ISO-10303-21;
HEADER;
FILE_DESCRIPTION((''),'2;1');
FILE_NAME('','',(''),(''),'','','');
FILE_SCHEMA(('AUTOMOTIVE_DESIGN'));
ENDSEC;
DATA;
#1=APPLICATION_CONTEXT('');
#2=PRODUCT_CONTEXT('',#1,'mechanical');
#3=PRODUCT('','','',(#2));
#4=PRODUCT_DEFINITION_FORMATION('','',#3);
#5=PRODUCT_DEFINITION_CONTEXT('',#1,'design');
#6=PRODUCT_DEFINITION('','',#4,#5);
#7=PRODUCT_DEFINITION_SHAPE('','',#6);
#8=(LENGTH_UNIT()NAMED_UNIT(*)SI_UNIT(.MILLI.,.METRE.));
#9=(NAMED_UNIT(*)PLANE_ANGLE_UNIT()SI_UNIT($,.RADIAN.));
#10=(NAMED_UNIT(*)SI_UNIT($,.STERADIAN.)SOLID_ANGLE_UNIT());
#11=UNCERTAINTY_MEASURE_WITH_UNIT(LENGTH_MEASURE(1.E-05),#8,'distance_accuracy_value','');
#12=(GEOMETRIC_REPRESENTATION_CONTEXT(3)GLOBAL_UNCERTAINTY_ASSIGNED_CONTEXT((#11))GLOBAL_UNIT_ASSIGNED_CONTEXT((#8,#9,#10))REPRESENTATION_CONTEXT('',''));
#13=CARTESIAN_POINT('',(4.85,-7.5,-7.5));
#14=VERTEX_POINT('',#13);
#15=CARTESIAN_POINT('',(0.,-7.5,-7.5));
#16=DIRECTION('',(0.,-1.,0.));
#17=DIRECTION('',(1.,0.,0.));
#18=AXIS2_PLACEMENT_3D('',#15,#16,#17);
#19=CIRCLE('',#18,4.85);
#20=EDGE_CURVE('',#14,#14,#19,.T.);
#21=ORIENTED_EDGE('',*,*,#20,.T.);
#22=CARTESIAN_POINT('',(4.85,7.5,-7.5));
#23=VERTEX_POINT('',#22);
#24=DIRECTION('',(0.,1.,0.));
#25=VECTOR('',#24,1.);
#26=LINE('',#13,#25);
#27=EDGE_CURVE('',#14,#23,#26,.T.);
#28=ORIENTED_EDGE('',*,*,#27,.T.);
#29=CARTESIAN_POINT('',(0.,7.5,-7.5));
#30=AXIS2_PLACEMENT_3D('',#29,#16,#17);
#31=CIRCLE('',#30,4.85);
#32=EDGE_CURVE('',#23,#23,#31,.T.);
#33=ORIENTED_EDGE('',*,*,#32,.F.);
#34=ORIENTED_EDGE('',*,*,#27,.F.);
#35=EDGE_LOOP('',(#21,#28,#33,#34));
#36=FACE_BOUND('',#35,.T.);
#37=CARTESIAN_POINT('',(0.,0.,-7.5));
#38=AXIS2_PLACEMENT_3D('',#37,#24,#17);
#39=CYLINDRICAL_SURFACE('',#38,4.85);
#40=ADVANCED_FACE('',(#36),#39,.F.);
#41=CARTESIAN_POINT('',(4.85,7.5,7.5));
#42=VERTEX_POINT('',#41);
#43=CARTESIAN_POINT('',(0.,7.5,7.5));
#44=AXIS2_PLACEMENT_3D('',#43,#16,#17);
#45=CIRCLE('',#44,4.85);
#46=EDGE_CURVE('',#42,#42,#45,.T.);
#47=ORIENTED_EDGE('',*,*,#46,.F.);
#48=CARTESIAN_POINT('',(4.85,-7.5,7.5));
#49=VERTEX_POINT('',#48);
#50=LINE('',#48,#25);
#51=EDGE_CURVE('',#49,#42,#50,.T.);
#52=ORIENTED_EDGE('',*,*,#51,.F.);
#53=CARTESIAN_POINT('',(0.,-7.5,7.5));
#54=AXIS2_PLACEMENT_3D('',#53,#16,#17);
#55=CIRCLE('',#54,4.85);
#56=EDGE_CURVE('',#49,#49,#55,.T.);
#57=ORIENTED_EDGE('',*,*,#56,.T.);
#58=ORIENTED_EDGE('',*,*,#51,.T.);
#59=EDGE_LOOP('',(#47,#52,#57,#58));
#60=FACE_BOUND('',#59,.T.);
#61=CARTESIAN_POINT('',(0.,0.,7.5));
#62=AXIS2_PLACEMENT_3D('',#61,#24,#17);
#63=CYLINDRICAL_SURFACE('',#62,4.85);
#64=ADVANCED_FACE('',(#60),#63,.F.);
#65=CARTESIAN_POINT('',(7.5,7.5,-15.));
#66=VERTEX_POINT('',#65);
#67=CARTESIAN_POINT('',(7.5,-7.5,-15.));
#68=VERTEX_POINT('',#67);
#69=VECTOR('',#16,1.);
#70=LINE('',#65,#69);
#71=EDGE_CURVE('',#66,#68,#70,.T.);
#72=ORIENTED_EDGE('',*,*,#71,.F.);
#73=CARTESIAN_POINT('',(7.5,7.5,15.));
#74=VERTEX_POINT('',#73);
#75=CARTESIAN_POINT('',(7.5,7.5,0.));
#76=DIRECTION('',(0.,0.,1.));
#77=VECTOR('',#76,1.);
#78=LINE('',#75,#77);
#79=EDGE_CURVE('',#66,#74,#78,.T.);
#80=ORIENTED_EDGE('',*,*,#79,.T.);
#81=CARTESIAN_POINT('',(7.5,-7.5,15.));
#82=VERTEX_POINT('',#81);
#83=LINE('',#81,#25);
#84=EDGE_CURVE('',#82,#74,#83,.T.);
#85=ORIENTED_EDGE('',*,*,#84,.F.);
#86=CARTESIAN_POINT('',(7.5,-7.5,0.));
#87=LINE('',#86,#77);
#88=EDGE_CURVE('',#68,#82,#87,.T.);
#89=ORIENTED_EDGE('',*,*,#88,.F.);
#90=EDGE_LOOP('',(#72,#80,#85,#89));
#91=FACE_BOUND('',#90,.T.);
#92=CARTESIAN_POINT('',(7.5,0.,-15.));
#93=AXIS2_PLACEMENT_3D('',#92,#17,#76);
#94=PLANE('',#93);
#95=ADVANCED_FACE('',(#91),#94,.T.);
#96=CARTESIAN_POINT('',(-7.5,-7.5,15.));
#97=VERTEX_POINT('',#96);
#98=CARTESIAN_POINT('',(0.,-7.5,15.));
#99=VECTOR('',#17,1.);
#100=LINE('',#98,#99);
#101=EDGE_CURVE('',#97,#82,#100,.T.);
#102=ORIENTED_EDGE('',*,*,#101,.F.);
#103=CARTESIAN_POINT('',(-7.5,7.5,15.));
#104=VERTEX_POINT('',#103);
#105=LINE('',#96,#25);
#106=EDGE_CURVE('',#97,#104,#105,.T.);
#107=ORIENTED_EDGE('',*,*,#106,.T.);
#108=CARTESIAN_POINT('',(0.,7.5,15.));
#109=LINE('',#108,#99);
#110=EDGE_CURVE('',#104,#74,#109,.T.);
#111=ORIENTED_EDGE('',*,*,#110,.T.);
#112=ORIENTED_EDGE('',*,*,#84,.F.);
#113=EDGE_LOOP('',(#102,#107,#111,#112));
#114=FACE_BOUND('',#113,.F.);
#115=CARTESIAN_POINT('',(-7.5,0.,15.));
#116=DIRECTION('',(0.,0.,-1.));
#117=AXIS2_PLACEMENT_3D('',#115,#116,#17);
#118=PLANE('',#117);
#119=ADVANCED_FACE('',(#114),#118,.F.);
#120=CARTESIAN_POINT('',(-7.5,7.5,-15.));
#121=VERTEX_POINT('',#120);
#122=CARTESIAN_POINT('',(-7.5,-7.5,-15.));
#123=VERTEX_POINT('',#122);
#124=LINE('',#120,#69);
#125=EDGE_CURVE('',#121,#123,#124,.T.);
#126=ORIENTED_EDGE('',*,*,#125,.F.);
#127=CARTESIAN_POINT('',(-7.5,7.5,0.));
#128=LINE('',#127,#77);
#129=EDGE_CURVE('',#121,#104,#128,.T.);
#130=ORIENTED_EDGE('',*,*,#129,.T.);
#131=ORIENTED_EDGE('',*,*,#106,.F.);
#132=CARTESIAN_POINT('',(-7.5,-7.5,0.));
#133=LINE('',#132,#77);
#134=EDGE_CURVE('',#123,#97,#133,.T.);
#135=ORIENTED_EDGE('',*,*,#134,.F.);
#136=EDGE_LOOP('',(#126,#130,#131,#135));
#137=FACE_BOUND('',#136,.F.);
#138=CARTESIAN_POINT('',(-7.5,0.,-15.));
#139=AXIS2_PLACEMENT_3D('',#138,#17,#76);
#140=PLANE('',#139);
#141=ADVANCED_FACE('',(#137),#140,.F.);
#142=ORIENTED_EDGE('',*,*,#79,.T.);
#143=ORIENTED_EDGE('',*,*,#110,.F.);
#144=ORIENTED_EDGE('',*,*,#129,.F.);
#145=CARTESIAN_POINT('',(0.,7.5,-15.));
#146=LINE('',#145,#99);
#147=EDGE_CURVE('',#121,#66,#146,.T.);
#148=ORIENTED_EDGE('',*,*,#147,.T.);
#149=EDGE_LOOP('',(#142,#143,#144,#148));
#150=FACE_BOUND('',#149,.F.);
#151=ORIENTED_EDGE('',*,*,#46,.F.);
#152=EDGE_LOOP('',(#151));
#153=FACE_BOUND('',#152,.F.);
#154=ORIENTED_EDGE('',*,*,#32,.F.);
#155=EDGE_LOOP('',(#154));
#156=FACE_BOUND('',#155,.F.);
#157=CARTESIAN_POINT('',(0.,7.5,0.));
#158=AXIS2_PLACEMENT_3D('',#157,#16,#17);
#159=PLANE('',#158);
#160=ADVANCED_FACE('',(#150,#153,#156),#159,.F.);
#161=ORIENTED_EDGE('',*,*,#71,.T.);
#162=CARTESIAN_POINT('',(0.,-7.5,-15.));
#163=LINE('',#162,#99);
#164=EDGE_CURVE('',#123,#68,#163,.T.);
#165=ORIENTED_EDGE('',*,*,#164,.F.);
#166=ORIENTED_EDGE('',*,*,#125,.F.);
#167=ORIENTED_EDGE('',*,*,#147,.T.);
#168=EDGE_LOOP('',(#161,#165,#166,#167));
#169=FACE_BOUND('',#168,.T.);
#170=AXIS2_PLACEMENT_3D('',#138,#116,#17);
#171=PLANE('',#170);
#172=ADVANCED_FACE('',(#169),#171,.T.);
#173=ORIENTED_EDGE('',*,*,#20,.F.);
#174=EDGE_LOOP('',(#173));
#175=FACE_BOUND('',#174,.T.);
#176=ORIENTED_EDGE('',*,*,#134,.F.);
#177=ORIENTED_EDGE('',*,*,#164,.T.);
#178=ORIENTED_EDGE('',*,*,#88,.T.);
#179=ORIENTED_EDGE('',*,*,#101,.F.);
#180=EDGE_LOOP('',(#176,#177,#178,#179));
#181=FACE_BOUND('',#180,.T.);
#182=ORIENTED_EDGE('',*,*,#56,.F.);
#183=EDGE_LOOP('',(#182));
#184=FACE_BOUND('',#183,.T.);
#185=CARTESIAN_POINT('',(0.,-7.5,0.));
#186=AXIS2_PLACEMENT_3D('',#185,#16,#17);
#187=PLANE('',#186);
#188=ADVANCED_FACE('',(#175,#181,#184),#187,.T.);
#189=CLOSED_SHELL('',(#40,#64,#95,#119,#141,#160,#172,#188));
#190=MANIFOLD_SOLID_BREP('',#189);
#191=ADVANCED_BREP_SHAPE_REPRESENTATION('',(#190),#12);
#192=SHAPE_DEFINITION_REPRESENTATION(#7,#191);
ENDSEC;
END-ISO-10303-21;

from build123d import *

# Parameters (mm, degrees)
F0_W     = 15
F0_H     = 30
F0_R     = 4.85
F1_DEPTH = 7.5


with BuildPart() as f1:
    # F0 (on Front) → F1 (new body, symmetric)
    with BuildSketch(Plane.XZ):
        Rectangle(F0_W, F0_H)
        with Locations((0, -7.5)):
            Circle(F0_R, mode=Mode.SUBTRACT)
        with Locations((0, 7.5)):
            Circle(F0_R, mode=Mode.SUBTRACT)
    extrude(amount=F1_DEPTH, both=True)


solid = f1.part
